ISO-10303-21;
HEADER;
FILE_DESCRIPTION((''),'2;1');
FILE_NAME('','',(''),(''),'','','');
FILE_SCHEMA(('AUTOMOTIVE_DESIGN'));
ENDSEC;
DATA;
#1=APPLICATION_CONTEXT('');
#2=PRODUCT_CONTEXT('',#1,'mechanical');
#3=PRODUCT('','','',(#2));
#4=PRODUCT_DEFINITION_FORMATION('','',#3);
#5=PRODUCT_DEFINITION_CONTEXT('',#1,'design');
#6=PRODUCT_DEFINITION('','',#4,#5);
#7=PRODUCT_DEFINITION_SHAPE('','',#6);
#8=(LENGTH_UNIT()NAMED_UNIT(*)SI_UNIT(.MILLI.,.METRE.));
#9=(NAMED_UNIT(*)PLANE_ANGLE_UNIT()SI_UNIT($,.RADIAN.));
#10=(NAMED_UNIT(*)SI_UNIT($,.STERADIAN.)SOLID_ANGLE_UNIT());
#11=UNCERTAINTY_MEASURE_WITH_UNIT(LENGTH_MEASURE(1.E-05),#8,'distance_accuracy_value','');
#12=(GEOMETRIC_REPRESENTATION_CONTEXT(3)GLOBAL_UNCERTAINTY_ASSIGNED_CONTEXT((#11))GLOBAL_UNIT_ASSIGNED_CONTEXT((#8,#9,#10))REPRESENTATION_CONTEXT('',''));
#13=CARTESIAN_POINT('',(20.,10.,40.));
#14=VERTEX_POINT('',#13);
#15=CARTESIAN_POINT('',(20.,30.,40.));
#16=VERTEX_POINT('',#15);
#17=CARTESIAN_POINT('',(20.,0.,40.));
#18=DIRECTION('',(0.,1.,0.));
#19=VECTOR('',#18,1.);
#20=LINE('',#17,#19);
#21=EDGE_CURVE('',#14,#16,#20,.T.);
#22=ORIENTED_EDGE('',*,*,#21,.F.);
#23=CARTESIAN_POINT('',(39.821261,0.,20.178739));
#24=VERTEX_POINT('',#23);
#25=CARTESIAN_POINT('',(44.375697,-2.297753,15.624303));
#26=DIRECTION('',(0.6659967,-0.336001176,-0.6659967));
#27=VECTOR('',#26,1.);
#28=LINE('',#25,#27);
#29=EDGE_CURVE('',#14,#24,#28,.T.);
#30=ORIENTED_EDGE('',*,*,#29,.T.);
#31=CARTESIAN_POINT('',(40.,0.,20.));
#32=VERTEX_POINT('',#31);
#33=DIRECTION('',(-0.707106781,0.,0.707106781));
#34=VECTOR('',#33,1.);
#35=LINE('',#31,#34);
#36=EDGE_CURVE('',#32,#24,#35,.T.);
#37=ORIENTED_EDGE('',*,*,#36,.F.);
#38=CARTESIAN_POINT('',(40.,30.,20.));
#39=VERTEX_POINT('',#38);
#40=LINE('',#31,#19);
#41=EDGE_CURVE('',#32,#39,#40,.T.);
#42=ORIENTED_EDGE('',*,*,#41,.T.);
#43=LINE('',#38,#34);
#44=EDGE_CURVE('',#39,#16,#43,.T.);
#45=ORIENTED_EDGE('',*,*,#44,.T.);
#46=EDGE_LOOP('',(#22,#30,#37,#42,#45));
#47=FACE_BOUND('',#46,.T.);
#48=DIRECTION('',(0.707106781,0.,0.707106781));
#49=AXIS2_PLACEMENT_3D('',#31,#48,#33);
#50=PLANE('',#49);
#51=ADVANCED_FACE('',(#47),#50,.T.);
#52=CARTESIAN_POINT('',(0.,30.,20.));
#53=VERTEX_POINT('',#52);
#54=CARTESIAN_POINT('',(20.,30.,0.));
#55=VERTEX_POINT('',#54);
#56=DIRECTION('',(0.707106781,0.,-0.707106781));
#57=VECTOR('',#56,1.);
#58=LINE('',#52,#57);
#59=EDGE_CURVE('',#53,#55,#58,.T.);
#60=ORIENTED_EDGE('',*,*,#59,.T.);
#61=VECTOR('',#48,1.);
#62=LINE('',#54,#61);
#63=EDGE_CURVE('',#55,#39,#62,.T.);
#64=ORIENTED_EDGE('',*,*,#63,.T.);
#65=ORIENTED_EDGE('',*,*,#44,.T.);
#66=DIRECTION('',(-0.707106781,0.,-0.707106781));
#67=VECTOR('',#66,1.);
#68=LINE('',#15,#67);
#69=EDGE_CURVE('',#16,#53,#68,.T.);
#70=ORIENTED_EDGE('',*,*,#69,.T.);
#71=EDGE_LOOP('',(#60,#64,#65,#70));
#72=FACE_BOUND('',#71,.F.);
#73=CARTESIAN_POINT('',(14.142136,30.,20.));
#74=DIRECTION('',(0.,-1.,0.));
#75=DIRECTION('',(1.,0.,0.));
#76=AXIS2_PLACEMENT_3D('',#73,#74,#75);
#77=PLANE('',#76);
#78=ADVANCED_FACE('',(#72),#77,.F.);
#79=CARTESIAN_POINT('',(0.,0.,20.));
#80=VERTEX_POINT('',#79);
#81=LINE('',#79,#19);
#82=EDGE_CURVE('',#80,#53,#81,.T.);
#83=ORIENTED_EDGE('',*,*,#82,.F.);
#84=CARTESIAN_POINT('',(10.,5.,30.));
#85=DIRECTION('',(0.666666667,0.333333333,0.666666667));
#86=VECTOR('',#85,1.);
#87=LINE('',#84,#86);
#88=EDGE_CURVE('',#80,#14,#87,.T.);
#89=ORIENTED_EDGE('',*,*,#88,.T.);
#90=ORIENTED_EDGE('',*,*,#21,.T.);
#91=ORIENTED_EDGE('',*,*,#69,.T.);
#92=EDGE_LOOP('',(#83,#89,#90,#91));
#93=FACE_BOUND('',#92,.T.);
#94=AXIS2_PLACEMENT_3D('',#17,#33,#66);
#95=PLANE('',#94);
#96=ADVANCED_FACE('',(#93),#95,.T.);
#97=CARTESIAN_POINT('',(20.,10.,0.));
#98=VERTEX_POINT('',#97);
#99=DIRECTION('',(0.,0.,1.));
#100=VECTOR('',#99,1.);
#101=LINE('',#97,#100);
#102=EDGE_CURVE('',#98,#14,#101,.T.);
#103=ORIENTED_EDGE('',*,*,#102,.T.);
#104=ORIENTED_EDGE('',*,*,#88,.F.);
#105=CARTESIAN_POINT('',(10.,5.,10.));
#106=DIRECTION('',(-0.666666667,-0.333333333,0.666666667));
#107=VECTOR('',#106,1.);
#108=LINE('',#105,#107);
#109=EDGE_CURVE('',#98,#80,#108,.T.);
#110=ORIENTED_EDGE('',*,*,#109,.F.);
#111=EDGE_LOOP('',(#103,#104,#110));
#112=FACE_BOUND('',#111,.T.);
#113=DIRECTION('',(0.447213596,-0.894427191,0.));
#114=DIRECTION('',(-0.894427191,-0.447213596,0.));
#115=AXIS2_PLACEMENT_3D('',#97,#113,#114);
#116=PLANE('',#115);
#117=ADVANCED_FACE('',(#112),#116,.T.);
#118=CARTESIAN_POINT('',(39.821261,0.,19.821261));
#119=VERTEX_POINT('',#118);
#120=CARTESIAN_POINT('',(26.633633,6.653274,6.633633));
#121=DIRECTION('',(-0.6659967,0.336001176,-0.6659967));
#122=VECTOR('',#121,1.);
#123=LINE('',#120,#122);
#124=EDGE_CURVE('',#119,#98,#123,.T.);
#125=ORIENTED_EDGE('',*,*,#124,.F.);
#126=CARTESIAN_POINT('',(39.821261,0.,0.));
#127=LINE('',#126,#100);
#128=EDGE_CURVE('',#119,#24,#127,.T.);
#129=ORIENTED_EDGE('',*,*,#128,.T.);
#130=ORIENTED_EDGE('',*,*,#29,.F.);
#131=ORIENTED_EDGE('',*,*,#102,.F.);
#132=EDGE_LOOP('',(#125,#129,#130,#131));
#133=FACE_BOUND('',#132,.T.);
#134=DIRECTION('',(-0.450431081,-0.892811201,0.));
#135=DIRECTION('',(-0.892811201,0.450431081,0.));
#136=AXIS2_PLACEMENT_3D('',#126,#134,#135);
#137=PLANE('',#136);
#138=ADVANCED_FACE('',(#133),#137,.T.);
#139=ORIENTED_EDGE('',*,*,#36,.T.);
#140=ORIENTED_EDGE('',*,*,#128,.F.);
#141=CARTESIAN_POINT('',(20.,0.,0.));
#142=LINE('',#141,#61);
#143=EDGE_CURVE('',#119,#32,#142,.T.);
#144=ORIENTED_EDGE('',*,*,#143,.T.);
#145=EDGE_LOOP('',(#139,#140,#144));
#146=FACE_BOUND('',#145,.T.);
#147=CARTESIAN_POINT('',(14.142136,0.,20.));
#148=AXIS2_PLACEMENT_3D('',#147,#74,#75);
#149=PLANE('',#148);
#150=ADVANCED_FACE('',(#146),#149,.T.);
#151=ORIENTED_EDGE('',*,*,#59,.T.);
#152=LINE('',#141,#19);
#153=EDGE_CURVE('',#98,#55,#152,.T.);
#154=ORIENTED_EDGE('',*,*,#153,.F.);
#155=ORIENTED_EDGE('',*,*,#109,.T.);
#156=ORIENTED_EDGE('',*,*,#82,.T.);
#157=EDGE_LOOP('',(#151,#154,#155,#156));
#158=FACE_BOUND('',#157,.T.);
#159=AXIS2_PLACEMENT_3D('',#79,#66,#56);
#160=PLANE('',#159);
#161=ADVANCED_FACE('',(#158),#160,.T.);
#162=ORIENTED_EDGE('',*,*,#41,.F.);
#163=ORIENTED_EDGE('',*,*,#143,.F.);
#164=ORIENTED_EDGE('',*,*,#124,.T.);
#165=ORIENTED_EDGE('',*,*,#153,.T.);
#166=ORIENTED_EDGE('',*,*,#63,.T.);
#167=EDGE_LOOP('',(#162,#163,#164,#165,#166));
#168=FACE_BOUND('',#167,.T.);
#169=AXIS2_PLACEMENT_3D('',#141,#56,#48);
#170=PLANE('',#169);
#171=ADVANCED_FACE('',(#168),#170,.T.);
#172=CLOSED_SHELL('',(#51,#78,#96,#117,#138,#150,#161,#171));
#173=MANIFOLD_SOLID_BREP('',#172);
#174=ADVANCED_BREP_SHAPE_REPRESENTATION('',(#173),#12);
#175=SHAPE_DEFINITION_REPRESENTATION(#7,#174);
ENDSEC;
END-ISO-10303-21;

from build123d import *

# Parameters (mm, degrees)
F2_DEPTH = 30
F6_DEPTH = 61


with BuildPart() as f2:
    # F1 (on Front) → F2 (new body)
    with BuildSketch(Plane.XZ):
        Polygon((20, 0), (20, 40), (0, 20), align=None)
        Polygon((40, 20), (20, 40), (20, 0), align=None)
    extrude(amount=-F2_DEPTH)

    # F5 (on face) → F6 (cut)
    with BuildSketch(Plane.XY):
        Polygon((20, 10), (0, 0), (39.821261, 0), align=None)
    extrude(amount=F6_DEPTH, mode=Mode.SUBTRACT)


solid = f2.part
